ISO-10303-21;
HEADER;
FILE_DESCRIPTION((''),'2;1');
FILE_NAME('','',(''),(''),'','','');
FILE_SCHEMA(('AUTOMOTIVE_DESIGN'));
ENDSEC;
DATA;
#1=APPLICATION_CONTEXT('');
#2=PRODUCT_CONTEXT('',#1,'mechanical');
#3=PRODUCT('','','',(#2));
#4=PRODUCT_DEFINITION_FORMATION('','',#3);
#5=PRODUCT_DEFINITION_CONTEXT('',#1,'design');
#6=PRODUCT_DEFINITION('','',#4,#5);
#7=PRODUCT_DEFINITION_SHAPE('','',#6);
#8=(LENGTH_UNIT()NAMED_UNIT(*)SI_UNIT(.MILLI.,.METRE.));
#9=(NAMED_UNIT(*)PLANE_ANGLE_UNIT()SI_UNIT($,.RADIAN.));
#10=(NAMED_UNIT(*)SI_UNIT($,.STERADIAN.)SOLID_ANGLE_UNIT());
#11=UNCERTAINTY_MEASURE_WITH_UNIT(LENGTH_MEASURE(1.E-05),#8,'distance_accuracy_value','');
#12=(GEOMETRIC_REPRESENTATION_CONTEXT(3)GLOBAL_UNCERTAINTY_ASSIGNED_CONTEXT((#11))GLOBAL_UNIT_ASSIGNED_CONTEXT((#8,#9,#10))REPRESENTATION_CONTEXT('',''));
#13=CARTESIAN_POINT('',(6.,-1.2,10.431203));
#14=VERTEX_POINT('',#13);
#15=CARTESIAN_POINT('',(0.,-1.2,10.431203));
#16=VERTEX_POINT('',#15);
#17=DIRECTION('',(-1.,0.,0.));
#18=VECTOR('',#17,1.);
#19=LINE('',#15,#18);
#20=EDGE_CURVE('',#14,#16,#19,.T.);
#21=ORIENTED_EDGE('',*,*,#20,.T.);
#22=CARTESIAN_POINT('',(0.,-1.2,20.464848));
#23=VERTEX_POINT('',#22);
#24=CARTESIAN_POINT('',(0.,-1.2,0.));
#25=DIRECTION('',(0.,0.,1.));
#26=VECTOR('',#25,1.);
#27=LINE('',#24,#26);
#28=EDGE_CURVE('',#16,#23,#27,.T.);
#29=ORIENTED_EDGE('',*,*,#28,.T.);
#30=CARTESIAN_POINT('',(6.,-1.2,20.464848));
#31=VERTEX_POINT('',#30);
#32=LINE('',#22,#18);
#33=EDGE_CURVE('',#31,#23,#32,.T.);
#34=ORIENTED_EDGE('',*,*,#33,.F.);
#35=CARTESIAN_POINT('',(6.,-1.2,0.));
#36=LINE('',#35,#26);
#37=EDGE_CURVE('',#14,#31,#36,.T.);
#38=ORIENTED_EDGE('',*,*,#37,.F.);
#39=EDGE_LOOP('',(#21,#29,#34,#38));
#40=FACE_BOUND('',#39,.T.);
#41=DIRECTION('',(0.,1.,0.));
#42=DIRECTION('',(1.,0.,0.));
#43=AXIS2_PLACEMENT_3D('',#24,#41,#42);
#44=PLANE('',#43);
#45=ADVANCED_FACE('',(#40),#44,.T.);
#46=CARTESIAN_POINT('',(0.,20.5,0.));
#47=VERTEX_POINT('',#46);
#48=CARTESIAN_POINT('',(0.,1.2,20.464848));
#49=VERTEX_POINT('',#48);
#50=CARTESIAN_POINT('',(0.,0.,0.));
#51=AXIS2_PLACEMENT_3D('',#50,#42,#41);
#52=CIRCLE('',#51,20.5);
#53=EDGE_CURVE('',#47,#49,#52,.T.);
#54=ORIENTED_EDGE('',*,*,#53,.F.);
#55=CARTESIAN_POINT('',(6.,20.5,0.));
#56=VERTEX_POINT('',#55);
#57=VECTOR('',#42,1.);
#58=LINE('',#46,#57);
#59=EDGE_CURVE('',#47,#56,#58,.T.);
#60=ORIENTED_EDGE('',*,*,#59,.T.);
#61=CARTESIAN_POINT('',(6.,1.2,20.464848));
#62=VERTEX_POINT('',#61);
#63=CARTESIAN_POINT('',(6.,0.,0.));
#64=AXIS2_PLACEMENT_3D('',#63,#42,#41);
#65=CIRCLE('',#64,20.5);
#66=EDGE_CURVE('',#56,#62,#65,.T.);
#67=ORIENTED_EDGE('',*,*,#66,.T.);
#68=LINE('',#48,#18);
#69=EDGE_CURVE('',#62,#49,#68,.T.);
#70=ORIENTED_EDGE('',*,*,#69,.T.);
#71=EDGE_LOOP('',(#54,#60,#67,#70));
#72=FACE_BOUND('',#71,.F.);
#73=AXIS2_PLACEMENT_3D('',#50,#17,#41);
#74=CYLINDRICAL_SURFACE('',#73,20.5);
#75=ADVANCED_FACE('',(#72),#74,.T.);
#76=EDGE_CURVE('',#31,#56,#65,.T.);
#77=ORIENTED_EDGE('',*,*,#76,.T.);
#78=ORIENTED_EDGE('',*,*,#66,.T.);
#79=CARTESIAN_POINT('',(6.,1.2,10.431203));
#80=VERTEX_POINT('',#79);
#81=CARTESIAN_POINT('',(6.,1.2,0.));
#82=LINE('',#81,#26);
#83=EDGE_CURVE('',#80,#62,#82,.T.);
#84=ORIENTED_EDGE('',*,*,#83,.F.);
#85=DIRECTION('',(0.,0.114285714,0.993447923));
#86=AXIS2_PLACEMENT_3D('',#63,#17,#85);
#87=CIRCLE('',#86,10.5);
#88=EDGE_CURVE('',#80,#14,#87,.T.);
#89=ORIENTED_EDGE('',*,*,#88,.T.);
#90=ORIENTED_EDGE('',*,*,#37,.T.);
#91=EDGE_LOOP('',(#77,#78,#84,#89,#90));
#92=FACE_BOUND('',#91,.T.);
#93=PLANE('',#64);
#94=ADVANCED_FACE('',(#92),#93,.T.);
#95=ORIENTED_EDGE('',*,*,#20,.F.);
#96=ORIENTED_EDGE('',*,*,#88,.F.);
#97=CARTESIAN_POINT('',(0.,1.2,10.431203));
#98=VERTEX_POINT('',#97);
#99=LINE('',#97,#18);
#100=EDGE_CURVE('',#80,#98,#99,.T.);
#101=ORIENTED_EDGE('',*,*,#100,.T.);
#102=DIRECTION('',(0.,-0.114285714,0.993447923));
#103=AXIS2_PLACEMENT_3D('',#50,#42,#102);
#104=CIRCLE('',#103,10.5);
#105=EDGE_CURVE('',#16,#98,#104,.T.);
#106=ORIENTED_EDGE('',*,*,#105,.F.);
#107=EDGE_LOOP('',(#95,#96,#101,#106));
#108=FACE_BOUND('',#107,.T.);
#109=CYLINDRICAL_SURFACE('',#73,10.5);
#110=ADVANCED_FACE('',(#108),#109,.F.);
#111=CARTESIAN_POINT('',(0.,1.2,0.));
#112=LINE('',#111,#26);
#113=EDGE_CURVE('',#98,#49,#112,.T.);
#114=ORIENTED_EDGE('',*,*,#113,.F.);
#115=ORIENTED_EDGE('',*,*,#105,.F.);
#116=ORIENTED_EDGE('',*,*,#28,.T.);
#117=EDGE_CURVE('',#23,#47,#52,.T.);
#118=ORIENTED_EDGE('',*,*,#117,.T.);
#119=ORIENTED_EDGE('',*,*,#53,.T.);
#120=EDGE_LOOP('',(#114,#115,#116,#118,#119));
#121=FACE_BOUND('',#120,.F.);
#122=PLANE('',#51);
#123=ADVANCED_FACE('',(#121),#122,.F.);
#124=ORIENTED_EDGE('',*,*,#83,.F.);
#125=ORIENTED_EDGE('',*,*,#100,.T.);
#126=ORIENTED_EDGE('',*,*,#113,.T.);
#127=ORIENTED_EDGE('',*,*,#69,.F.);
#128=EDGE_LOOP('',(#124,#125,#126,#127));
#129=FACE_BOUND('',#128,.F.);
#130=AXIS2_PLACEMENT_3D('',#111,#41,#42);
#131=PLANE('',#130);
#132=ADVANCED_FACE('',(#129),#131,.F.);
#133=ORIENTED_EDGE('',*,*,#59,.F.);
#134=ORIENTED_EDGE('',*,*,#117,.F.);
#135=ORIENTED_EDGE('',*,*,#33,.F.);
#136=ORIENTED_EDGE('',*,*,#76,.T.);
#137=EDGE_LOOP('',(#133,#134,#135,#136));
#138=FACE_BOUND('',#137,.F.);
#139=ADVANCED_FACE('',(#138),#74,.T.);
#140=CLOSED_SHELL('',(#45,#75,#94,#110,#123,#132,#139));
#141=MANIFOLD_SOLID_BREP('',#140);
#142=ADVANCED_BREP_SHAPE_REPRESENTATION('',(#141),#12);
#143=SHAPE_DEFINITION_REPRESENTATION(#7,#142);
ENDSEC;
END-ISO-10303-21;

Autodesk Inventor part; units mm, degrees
ref_plane "YZ Plane" through (0, 0, 0) normal (1, 0, 0) x (0, 1, 0)
ref_plane "XZ Plane" through (0, 0, 0) normal (0, 1, 0) x (-1, 0, 0)
sketch "Sketch1" plane through (0, 0, 0) normal (1, 0, 0) x (0, 1, 0)
  circle A0 centre (0, 0) radius 20.5
  circle A1 centre (0, 0) radius 10.5
  dimension "d0" = 21
  dimension "d1" = 41
extrude "Body" add sketch "Sketch1" along normal blind 6
sketch "Sketch2" plane through (0, 0, 0) normal (0, 0, 1) x (1, 0, 0)
  line L0 (0, -10.5) -> (0, 10.5) projected
  line L1 (6, 20.5) -> (6, -20.5) projected
  line L2 (-1.2, 0) -> (7.2, 0) projected
  line L3 (0, -1.2) -> (6, -1.2)
  line L4 (0, 1.2) -> (6, 1.2)
  dimension "d4" = 1.2
  dimension "d5" = 1.2
  dimension "d6" = 90
extrude "Cut" cut sketch "Sketch2" along normal up to next
ref_plane "Work Plane1" through (0, 0, 0) normal (0, -1, 0) x (1, 0, 0)
equation "\"d0\" = SD1"
equation "\"d1\" = SD2"
equation "\"d2\" = SD"
equation "\"d4\" = 0.2 * SD"
equation "\"d5\" = 0.2 * SD"
equation "\"d6\" = FAWI"
equation "\"d7\" = SD"
equation "\"SD1\" = 21"
equation "\"SD2\" = 41"
equation "\"SD\" = 6"
equation "\"FAWI\" = 90deg"
properties part number "AS 1085.7 - 20" material "Steel, Mild"
